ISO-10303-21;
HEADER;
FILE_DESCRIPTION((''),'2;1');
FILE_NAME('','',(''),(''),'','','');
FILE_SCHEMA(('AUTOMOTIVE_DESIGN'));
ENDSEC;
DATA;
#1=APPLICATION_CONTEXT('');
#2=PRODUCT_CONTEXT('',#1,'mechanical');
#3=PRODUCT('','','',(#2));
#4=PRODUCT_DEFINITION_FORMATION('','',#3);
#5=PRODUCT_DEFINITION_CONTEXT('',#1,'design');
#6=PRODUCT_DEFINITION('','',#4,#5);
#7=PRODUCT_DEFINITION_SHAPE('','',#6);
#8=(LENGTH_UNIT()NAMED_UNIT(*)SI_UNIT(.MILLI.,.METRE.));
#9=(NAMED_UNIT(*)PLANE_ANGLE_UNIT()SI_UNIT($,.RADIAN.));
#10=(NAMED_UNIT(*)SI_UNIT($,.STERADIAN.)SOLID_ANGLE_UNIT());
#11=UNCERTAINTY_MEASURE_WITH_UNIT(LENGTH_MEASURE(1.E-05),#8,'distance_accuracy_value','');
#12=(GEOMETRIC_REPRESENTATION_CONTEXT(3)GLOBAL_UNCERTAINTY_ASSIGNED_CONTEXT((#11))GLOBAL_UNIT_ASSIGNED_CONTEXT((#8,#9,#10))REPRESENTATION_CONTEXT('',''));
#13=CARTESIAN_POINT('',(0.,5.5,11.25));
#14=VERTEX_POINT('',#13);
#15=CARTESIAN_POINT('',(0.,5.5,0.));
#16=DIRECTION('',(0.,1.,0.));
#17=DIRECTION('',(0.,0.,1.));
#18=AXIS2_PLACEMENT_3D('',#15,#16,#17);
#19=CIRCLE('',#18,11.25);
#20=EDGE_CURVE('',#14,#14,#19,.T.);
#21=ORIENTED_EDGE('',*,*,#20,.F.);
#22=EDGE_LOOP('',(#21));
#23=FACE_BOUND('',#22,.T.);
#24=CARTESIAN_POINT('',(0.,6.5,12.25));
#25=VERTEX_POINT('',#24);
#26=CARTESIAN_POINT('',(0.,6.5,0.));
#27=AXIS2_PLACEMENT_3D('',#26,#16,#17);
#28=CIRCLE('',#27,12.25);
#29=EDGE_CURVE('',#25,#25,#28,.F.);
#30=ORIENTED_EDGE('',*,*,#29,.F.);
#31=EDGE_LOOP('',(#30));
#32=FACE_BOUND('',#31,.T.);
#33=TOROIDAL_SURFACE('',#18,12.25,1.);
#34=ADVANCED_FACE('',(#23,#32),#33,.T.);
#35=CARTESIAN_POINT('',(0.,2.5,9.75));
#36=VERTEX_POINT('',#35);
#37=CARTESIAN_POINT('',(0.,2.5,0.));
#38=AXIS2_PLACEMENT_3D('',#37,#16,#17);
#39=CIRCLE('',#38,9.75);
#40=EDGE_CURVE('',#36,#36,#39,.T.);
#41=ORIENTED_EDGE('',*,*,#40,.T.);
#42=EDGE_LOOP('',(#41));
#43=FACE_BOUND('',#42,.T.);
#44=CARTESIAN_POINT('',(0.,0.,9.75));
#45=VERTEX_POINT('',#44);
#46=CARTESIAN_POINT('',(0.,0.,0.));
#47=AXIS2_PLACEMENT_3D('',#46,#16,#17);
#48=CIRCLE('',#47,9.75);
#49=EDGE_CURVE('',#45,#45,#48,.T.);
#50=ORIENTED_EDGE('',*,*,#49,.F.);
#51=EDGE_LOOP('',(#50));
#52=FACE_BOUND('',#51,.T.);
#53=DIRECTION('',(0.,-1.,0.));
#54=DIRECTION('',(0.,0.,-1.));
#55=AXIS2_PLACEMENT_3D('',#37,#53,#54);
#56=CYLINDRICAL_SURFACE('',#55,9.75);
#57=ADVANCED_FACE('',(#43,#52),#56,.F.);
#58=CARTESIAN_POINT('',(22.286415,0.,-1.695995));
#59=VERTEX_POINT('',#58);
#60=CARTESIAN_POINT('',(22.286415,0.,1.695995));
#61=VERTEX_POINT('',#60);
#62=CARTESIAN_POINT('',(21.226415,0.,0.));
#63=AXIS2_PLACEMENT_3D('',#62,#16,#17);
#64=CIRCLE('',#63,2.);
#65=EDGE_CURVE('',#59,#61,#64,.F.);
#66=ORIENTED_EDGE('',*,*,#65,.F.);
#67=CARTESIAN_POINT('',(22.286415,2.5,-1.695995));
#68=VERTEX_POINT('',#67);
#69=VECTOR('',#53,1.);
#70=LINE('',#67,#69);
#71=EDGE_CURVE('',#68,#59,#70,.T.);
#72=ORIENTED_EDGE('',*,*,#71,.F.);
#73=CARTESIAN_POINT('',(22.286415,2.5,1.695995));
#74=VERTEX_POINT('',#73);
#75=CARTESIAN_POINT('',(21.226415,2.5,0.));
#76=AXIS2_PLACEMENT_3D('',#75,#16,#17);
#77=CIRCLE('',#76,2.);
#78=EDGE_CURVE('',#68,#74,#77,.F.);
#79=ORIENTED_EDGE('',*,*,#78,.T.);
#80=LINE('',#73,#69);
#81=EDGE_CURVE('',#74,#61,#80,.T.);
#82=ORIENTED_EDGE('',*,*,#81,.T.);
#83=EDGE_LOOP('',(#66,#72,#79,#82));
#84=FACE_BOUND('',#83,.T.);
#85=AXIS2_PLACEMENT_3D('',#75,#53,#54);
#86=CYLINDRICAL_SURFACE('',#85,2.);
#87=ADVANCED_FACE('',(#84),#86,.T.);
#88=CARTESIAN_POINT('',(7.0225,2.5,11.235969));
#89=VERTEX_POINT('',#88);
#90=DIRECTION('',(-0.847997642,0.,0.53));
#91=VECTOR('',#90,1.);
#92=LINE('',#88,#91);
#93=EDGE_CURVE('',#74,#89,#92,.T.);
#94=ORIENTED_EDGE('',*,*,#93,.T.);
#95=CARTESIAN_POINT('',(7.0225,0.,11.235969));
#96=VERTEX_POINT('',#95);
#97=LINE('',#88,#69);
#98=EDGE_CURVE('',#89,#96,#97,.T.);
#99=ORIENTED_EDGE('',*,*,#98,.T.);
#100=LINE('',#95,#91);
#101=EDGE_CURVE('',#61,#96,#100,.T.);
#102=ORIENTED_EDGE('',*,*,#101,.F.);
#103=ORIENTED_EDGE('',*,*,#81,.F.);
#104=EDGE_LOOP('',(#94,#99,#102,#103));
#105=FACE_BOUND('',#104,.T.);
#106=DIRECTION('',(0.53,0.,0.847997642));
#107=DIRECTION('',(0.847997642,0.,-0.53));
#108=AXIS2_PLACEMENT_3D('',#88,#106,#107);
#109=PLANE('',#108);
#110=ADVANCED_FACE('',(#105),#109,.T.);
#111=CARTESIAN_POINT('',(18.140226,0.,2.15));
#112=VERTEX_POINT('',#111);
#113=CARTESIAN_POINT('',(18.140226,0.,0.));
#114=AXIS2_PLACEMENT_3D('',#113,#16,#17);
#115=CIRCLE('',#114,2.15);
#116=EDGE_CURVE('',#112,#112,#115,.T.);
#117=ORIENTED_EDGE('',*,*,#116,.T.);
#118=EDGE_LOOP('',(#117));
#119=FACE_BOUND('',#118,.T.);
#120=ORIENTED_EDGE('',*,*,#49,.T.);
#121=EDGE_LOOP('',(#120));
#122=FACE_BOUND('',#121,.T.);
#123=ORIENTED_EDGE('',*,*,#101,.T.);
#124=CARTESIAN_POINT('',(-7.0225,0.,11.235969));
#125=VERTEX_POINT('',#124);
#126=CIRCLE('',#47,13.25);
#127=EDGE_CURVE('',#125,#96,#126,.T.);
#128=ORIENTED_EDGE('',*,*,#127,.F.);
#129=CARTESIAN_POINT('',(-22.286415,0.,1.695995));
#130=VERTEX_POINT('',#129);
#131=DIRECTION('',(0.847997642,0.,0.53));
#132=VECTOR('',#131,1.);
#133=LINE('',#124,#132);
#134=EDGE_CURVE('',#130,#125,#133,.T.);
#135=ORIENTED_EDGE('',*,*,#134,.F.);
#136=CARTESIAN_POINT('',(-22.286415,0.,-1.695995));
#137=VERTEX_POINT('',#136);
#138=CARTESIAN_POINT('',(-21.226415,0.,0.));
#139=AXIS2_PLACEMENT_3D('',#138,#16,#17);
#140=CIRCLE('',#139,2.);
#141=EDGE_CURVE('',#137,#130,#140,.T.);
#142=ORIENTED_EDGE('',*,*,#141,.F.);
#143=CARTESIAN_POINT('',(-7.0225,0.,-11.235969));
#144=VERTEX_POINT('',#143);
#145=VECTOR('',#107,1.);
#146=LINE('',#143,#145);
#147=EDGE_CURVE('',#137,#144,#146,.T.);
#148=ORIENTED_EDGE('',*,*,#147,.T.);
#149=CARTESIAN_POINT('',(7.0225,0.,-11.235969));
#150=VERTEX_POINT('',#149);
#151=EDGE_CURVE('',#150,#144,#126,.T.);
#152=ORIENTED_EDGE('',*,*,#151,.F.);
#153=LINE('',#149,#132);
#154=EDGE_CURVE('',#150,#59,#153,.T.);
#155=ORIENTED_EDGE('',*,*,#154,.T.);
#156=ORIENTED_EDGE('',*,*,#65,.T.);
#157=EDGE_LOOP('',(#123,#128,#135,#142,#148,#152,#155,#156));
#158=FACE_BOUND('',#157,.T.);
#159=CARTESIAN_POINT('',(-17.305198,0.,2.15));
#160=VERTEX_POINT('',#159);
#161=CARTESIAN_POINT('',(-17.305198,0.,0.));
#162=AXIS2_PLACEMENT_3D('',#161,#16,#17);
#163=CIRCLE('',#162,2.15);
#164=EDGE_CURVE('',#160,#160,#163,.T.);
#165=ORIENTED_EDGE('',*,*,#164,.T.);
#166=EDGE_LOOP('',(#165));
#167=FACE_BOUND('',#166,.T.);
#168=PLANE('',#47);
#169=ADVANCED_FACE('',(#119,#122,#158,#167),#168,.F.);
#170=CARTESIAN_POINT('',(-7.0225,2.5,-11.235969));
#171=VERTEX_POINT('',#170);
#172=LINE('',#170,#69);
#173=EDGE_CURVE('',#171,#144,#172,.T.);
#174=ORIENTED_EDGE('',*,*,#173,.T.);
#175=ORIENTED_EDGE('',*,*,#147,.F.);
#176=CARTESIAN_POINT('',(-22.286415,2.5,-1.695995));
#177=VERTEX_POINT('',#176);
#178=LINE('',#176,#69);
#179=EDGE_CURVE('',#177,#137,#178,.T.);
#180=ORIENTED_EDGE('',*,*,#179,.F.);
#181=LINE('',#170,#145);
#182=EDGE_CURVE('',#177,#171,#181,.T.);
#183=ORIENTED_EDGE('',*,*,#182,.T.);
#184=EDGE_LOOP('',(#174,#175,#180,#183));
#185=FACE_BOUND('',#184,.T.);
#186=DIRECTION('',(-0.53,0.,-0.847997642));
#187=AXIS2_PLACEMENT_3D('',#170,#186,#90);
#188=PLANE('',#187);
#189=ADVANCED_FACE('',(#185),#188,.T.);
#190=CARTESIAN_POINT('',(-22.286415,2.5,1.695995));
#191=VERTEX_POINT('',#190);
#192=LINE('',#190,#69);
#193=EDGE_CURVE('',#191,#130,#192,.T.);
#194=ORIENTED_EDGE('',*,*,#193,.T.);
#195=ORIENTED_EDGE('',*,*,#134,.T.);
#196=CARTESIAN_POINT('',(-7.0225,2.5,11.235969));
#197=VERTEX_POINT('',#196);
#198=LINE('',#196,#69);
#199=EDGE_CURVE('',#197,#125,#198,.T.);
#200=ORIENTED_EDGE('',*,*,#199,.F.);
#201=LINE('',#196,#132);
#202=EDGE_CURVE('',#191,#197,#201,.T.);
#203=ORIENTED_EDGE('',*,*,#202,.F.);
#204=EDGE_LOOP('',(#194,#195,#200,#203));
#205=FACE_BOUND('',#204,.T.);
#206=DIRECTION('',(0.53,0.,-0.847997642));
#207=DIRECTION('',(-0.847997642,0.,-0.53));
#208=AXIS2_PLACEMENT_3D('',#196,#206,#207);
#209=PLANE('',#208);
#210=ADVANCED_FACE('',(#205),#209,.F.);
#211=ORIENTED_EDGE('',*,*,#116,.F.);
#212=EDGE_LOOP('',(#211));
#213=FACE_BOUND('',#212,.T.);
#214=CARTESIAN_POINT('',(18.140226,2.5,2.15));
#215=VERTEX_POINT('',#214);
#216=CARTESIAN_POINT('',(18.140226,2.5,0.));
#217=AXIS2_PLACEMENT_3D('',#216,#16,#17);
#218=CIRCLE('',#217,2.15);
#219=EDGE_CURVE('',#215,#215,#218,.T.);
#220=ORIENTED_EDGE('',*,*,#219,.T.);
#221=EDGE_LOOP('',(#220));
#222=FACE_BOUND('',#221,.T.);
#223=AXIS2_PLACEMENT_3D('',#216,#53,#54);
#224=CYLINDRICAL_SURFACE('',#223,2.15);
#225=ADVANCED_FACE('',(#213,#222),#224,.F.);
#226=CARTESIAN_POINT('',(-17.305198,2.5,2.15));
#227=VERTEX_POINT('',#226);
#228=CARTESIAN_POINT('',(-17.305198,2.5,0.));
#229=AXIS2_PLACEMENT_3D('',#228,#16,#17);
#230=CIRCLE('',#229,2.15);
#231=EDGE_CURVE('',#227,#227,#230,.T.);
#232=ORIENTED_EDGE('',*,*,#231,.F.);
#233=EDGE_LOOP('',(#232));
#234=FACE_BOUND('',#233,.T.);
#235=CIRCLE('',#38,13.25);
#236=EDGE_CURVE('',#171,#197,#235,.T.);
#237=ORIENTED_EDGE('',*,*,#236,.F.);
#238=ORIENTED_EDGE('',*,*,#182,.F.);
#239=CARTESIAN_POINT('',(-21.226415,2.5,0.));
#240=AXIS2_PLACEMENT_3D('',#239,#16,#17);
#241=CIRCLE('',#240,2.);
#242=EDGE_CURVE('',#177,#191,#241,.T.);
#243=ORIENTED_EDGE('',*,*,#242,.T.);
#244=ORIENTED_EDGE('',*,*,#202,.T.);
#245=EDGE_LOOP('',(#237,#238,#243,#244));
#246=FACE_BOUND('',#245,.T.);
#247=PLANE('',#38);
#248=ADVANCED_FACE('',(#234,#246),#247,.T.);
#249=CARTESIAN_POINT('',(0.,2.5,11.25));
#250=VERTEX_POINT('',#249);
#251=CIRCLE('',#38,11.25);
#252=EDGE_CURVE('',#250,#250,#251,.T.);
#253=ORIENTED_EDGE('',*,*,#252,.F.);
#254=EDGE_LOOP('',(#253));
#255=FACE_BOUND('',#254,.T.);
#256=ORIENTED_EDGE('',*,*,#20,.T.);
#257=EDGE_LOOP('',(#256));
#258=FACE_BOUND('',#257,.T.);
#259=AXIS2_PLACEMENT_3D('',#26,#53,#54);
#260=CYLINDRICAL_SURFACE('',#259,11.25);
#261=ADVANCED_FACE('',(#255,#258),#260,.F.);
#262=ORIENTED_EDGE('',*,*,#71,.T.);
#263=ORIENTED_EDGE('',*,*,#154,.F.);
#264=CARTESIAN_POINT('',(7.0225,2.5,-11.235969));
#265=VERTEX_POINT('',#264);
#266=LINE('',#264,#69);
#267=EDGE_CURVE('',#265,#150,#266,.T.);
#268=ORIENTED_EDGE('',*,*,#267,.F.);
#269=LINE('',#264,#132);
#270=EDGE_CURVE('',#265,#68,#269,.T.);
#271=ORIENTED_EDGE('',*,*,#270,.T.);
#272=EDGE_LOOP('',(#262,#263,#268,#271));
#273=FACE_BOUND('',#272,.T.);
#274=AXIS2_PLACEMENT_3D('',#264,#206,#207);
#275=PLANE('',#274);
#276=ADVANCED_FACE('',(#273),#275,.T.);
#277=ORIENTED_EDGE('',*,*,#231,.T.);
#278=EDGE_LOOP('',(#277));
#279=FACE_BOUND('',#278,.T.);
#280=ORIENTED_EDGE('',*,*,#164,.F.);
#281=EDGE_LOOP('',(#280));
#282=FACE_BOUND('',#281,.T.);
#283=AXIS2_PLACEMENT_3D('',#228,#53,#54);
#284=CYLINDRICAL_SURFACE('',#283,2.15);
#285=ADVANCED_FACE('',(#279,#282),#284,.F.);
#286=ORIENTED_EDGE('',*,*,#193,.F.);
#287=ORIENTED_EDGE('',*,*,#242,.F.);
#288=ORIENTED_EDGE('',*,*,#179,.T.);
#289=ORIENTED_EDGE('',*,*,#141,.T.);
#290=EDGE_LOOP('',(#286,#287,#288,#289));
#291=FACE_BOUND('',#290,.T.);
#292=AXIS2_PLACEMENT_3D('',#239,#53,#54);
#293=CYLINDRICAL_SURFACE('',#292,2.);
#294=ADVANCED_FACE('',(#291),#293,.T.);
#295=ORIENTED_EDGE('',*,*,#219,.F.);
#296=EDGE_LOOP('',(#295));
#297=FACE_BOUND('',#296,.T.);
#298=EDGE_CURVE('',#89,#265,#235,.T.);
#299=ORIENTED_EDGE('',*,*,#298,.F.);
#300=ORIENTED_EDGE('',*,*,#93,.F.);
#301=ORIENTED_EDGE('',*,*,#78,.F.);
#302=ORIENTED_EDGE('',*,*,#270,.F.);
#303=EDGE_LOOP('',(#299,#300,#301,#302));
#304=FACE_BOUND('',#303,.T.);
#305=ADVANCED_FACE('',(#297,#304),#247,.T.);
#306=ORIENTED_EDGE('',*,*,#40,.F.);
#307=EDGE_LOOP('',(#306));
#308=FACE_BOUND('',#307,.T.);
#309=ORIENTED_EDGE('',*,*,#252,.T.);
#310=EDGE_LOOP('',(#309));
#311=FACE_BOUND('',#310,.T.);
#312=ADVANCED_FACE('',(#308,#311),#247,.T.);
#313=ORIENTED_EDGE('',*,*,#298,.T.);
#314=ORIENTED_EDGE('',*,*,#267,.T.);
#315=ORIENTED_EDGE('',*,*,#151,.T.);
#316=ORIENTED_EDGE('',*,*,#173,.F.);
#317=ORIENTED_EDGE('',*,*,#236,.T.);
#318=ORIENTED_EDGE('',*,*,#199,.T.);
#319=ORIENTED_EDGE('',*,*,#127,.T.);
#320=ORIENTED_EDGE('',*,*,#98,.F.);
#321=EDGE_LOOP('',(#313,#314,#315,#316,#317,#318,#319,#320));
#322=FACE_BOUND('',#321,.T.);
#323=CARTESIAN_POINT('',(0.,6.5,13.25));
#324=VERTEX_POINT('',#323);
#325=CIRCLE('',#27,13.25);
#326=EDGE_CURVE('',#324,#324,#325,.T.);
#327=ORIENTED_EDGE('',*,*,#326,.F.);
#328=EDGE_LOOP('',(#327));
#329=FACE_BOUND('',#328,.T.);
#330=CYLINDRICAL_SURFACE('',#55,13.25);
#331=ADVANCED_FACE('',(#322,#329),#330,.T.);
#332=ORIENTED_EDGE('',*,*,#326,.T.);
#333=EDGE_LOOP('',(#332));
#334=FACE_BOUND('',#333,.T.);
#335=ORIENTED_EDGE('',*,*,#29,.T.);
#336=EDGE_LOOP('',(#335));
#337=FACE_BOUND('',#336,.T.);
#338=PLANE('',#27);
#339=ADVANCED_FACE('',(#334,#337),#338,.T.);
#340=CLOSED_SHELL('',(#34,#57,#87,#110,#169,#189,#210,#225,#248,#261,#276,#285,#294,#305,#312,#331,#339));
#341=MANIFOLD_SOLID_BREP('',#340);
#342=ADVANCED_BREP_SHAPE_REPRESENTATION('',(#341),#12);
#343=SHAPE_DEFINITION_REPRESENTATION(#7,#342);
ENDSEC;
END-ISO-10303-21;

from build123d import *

# Parameters (mm, degrees)
ESQUISSE1_R        = 2.15
ESQUISSE1_R_2      = 9.75
BOSS_EXTRU_1_DEPTH = 2.5
ESQUISSE2_R        = 13.25
ESQUISSE2_R_2      = 11.25
BOSS_EXTRU_2_DEPTH = 4
CONG_1_R           = 1


with BuildPart() as part:
    # Esquisse1 → Boss.-Extru.1 (new body)
    with BuildSketch(Plane(origin=(0, 0, 0), x_dir=(1, 0, 0), z_dir=(0, 1, 0))):
        with BuildLine():
            Line((-7.0225, 11.23596875), (-22.286415094, 1.695995283))
            ThreePointArc((-22.286415094, 1.695995283), (-23.226415094, 0), (-22.286415094, -1.695995283))
            Line((-22.286415094, -1.695995283), (-7.0225, -11.23596875))
            ThreePointArc((-7.0225, -11.23596875), (0, -13.25), (7.0225, -11.23596875))
            Line((7.0225, -11.23596875), (22.286415094, -1.695995283))
            ThreePointArc((22.286415094, -1.695995283), (23.226415094, 0), (22.286415094, 1.695995283))
            Line((22.286415094, 1.695995283), (7.0225, 11.23596875))
            ThreePointArc((7.0225, 11.23596875), (0, 13.25), (-7.0225, 11.23596875))
        make_face()
        with Locations((-17.305198029, 0)):
            Circle(ESQUISSE1_R, mode=Mode.SUBTRACT)
        Circle(ESQUISSE1_R_2, mode=Mode.SUBTRACT)
        with Locations((18.140226284, 0)):
            Circle(ESQUISSE1_R, mode=Mode.SUBTRACT)
    extrude(amount=BOSS_EXTRU_1_DEPTH)

    # Esquisse2 → Boss.-Extru.2 (add)
    with BuildSketch(Plane(origin=(0, 2.5, 0), x_dir=(1, 0, 0), z_dir=(0, 1, 0))):
        Circle(ESQUISSE2_R)
        Circle(ESQUISSE2_R_2, mode=Mode.SUBTRACT)
    extrude(amount=BOSS_EXTRU_2_DEPTH)

    # Congé1
    cong_1_edges = [part.edges().sort_by_distance(p)[0] for p in [
        (-11.25, 6.5, 0),
    ]]
    fillet(cong_1_edges, radius=CONG_1_R)


solid = part.part
